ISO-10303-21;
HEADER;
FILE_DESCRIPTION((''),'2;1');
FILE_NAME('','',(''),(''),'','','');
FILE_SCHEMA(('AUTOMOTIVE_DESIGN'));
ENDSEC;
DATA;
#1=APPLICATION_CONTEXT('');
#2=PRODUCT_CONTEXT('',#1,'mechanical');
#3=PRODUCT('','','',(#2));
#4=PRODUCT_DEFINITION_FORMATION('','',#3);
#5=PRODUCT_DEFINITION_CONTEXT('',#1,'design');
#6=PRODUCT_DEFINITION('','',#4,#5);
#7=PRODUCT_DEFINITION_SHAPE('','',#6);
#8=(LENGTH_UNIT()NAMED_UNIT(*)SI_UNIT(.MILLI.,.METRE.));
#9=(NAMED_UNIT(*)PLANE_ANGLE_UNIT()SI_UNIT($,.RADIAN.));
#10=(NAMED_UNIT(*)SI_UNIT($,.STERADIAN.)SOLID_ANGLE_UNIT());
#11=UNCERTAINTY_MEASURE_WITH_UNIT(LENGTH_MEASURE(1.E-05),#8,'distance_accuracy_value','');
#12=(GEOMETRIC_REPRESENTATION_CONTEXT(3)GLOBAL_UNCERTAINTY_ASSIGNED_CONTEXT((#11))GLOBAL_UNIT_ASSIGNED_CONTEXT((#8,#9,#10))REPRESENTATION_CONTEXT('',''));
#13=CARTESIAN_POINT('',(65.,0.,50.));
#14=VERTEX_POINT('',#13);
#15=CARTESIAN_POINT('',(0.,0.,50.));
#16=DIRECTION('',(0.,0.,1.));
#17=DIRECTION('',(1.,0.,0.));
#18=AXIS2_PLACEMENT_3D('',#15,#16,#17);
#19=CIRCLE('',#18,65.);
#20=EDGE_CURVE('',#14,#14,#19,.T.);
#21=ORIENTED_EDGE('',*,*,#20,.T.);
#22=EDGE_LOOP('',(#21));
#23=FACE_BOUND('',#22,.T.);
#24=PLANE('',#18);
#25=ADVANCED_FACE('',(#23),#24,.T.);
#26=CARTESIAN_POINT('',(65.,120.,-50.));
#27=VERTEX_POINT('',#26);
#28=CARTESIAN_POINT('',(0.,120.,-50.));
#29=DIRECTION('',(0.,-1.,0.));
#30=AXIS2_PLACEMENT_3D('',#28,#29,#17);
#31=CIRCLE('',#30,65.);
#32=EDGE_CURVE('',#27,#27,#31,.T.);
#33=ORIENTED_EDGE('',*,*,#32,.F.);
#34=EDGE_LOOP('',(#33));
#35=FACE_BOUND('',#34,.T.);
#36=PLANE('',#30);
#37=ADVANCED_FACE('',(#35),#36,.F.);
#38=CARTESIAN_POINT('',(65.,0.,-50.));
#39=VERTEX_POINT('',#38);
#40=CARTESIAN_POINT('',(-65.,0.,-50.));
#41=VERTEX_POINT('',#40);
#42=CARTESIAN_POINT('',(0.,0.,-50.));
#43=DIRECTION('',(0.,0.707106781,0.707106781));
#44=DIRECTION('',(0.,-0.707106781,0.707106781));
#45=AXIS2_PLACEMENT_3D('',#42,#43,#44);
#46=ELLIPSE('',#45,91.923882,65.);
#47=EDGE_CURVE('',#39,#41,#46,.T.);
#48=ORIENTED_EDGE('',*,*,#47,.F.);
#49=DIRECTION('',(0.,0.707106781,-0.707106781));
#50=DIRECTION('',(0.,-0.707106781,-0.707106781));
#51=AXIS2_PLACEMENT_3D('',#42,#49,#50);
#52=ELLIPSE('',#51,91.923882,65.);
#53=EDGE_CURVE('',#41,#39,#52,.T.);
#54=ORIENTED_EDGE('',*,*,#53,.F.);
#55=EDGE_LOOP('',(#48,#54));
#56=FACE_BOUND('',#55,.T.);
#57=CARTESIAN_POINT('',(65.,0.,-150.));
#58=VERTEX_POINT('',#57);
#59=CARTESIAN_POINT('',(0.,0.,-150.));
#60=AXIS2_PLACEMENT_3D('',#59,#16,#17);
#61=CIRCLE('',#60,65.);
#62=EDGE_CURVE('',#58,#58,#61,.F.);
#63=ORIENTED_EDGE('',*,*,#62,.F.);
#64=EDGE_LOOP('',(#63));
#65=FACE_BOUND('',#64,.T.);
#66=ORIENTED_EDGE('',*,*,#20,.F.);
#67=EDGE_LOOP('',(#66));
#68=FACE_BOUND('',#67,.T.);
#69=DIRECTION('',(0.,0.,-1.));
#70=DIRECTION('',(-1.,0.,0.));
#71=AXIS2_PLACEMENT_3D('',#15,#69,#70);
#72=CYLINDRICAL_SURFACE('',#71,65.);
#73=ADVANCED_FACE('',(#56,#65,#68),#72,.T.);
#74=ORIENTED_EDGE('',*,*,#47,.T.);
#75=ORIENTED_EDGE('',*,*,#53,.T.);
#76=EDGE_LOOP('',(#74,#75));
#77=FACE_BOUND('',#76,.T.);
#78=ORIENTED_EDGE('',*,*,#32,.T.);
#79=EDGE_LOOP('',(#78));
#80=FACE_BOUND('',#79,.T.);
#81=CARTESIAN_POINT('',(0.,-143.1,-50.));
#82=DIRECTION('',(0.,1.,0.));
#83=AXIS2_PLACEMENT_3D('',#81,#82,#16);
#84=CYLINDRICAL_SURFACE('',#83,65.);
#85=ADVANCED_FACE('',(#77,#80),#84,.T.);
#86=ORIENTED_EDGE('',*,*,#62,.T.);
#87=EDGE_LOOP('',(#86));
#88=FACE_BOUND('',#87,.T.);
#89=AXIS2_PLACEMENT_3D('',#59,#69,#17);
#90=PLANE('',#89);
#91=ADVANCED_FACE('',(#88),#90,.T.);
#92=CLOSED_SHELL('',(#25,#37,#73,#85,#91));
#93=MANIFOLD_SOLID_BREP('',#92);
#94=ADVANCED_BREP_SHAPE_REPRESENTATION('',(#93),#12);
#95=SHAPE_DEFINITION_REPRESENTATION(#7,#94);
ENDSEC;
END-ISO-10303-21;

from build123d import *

# Parameters (mm, degrees)
SKETCH2_R = 65


with BuildPart() as part:
    # Sweep1: sweep along a path in Sketch1
    with BuildLine(Plane(origin=(0, 0, 0), x_dir=(0, 0, -1), z_dir=(1, 0, 0))) as sweep1_path:
        Line((-50, 0), (50, 0))
        Line((50, 0), (50, 120))
    # Sketch2 → Sweep1 (sweep)
    with BuildSketch(Plane.XY.offset(50)):
        Circle(SKETCH2_R)
    sweep1 = sweep(path=sweep1_path.line, transition=Transition.RIGHT)

    # Mirror1: Sweep1 across plane
    add(sweep1.mirror(Plane.XY.offset(-50)))


solid = part.part
